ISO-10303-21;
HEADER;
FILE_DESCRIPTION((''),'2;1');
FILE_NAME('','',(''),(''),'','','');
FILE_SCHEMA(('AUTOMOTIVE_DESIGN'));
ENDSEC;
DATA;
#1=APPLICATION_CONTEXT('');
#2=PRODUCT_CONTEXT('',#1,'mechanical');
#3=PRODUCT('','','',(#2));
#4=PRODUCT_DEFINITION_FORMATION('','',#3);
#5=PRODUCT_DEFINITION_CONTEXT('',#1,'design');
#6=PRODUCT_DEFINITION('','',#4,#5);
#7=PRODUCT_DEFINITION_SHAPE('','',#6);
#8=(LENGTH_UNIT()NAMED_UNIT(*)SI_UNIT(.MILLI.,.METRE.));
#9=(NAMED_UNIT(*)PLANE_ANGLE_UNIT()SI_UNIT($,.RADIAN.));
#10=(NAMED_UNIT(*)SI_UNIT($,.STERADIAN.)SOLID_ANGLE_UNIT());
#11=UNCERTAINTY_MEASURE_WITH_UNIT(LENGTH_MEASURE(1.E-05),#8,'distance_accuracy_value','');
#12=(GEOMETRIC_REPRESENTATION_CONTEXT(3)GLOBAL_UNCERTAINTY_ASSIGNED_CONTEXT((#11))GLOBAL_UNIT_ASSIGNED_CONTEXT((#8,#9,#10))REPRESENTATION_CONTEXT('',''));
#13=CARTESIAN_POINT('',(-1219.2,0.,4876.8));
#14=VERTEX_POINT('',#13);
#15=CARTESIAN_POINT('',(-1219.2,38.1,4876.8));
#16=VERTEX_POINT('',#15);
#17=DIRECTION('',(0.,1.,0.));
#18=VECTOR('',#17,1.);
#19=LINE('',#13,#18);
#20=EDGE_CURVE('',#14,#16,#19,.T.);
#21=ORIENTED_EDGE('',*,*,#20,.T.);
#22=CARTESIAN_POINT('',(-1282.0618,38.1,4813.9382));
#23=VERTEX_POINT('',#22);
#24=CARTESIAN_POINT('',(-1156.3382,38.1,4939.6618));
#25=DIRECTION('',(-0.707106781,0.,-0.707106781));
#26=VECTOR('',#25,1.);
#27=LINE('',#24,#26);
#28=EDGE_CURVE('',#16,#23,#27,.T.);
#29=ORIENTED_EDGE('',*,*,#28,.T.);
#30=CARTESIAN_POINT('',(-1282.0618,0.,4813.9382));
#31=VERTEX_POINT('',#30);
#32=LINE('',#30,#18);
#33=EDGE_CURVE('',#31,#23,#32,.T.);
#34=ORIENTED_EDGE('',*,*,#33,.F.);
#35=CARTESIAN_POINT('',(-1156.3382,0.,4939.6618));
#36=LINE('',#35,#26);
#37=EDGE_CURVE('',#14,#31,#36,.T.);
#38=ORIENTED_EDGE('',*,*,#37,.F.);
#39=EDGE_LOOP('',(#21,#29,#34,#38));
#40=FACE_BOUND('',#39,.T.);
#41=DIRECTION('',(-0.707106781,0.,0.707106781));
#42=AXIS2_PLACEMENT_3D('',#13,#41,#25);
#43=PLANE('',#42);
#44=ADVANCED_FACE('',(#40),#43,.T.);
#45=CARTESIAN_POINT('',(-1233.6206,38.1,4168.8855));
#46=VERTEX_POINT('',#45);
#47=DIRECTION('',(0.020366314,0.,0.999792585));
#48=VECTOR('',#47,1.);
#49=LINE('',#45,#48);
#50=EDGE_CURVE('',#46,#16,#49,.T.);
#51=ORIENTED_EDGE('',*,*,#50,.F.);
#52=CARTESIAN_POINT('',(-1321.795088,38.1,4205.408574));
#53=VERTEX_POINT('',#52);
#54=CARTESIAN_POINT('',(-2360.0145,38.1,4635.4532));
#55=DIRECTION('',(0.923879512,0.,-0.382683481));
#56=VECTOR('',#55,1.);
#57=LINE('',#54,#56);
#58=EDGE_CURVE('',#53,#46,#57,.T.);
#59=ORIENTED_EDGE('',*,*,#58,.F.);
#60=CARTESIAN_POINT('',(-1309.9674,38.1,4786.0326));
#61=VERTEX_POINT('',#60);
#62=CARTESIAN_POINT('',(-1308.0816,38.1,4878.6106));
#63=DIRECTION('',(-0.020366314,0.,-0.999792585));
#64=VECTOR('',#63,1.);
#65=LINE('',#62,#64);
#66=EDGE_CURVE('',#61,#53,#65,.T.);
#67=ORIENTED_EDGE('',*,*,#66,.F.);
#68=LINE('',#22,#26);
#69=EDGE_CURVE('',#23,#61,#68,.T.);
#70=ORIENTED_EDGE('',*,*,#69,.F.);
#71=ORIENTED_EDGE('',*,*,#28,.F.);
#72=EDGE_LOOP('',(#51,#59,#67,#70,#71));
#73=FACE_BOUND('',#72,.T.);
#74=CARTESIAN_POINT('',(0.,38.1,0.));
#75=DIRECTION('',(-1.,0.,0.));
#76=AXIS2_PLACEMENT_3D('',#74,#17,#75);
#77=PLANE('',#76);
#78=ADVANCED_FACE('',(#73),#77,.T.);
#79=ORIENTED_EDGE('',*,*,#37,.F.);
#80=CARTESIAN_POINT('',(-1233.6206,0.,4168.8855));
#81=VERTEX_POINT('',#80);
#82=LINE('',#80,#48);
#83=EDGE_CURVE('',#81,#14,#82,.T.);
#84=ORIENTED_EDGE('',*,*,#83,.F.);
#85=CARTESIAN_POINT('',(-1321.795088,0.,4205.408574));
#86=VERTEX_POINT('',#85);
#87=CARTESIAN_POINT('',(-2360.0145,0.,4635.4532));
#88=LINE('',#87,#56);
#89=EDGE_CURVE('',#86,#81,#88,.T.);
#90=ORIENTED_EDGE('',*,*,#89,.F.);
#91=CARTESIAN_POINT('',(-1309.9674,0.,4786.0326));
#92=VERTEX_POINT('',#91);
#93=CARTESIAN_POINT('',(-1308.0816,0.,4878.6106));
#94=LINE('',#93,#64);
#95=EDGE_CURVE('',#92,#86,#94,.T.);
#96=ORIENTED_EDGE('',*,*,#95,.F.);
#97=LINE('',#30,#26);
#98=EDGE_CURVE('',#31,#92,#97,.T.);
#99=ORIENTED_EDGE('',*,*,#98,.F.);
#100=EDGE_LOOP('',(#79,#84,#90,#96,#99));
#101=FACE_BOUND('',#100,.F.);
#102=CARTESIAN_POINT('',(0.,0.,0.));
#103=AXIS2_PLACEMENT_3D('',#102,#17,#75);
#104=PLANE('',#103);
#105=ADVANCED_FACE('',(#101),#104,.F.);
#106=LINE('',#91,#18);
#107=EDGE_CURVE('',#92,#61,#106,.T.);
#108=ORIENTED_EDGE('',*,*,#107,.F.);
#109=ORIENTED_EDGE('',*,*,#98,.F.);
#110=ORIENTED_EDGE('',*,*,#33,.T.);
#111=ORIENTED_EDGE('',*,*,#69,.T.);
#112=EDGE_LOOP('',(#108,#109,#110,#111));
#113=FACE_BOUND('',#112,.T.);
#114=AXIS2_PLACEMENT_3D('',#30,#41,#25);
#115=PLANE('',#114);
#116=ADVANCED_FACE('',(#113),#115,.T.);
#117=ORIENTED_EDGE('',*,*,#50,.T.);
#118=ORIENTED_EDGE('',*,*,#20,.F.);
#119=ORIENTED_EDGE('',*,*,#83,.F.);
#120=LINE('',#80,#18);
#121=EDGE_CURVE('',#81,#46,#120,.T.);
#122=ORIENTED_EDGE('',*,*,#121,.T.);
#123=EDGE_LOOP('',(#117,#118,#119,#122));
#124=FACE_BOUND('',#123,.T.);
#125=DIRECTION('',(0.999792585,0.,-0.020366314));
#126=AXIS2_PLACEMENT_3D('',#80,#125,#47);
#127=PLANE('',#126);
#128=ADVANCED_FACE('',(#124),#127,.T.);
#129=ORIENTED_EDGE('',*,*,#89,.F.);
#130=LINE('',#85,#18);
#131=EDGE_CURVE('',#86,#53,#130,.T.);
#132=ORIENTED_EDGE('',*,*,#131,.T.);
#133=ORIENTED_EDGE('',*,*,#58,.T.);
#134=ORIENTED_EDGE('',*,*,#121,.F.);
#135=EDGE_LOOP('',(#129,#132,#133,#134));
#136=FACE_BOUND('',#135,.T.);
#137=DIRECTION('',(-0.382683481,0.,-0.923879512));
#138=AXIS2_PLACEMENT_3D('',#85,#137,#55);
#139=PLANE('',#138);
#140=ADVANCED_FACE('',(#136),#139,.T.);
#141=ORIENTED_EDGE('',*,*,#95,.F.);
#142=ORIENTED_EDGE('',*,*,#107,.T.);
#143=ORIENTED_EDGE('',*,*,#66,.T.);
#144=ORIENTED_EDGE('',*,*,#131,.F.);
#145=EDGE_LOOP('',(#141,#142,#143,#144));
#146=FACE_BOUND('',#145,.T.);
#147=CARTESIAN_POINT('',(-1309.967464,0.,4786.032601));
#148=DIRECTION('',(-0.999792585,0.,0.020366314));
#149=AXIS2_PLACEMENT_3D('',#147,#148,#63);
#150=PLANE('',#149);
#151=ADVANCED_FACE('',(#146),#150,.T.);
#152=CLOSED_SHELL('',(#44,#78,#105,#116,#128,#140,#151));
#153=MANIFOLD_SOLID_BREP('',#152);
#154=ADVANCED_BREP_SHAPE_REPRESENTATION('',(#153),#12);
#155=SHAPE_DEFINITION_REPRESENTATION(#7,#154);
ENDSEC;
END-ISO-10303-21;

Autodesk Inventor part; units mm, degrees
ref_plane "YZ Plane" through (0, 0, 0) normal (1, 0, 0) x (0, 1, 0)
ref_plane "XZ Plane" through (0, 0, 0) normal (0, 1, 0) x (-1, 0, 0)
ref_plane "XY Plane" through (0, 0, 0) normal (0, 0, 1) x (1, 0, 0)
sketch "Sketch1" plane through (0, 0, 0) normal (0, 1, 0) x (-1, 0, 0)
  line L0 (0, 0) -> (0, -1219.2)
  line L1 (0, 0) -> (88.9, 0)
  line L2 (88.9, 0) -> (88.9, -1219.2)
  line L3 (88.9, -1219.2) -> (0, -1219.2)
  line L4 (0, 0) -> (0, 1219.2) construction
  line L5 (0, 1219.2) -> (1219.2, 1219.2) construction
  line L6 (0, 1219.2) -> (0, 3657.6) construction
  line L7 (0, 3657.6) -> (0, 4876.8) construction
  line L8 (0, 4876.8) -> (0, 6096) construction
  line L9 (0, -1219.2) -> (2438.4, -1219.2) construction
  line L10 (0, 6096) -> (2438.4, 6096) construction
  line L11 (2438.4, 6096) -> (2438.4, -1219.2) construction
  line L12 (0, 3657.6) -> (0, 3352.8) construction
  line L13 (0, 3352.8) -> (2438.4, 3352.8) construction
  line L14 (2438.4, 3352.8) -> (1219.2, 3352.8)
  line L15 (1219.2, 3352.8) -> (1219.2, 3263.9)
  line L16 (1219.2, 3263.9) -> (2438.4, 3263.9)
  line L17 (2438.4, 3263.9) -> (2438.4, 3352.8)
  line L18 (0, 6096) -> (862.1046, 6958.1046)
  line L19 (862.1046, 6958.1046) -> (924.9664, 6895.2428)
  line L20 (924.9664, 6895.2428) -> (62.8618, 6033.1382)
  line L21 (62.8618, 6033.1382) -> (0, 6096)
  line L22 (0, 4876.8) -> (1219.2, 4876.8) construction
  line L23 (1219.2, 4876.8) -> (2081.3046, 5738.9046)
  line L24 (1219.2, 1219.2) -> (2081.3046, 357.0954)
  line L25 (2081.3046, 357.0954) -> (2018.4428, 294.2336)
  line L26 (2018.4428, 294.2336) -> (1156.3382, 1156.3382)
  line L27 (1156.3382, 1156.3382) -> (1219.2, 1219.2)
  line L28 (2018.4428, 294.2336) -> (88.9, -1219.2)
  line L29 (2081.3046, 357.0954) -> (2144.1664, 419.9572)
  line L30 (2144.1664, 419.9572) -> (1282.0618, 1282.0618)
  line L31 (1282.0618, 1282.0618) -> (1219.2, 1219.2)
  line L32 (2438.4, 3352.8) -> (2438.4, 3441.7)
  line L33 (2438.4, 3441.7) -> (1219.2, 3441.7)
  line L34 (1219.2, 3441.7) -> (1219.2, 3352.8)
  line L35 (1156.3382, 4939.6618) -> (1282.0618, 4813.9382)
  line L36 (2018.4428, 5801.7664) -> (2144.1664, 5676.0428)
  line L37 (1282.0618, 4813.9382) -> (2144.1664, 5676.0428)
  line L38 (2018.4428, 5801.7664) -> (1156.3382, 4939.6618)
  line L39 (2018.4428, 5801.7664) -> (924.9664, 6895.2428)
  line L40 (62.8618, 6033.1382) -> (1156.3382, 4939.6618)
  line L41 (1233.6206, 4168.8855) -> (1267.6412, 4086.7527)
  line L42 (1263.7078, 2313.9849) -> (1230.0006, 2231.7229)
  arc A0 (862.1046, 6958.1046) -> (0, 6096) centre (431.0523, 6527.0523) ccw
  line L43 (1246.8542, 2272.8539) -> (2375.0183, 1810.583)
  line L44 (2391.8719, 1851.7139) -> (2358.1646, 1769.452)
  line L45 (2391.8719, 1851.7139) -> (1263.7078, 2313.9849)
  line L46 (1230.0006, 2231.7229) -> (2358.1646, 1769.452)
  line L47 (1230.0006, 2231.7229) -> (1219.2, 3263.9)
  line L48 (2144.1664, 419.9572) -> (2391.8719, 1851.7139)
  line L49 (2391.8719, 1851.7139) -> (2438.4, 3263.9)
  line L50 (1219.2, 3441.7) -> (1233.6206, 4168.8855)
  line L51 (1250.6309, 4127.8191) -> (2377.0248, 4594.3867)
  line L52 (2360.0145, 4635.4532) -> (2394.0351, 4553.3203)
  line L53 (2394.0351, 4553.3203) -> (1267.6412, 4086.7527)
  line L54 (2360.0145, 4635.4532) -> (1233.6206, 4168.8855)
  line L55 (2394.0351, 4553.3203) -> (2144.1664, 5676.0428)
  line L56 (2438.4, 3441.7) -> (2394.0351, 4553.3203)
  line L57 (2144.1664, 5676.0428) -> (2057.3895, 5656.7301)
  line L58 (2394.0351, 4553.3203) -> (2305.2058, 4549.7751)
  line L59 (2394.0351, 4553.3203) -> (2307.2582, 4534.0076)
  line L60 (2307.2582, 4534.0076) -> (2057.3895, 5656.7301)
  line L61 (2438.4, 3441.7) -> (2349.5707, 3438.1548)
  line L62 (2349.5707, 3438.1548) -> (2305.2058, 4549.7751)
  line L63 (1219.2, 3441.7) -> (1308.0825, 3439.9374)
  line L64 (1233.6206, 4168.8855) -> (1322.5031, 4167.1229)
  line L65 (1322.5031, 4167.1229) -> (1308.0825, 3439.9374)
  line L66 (2018.4428, 5801.7664) -> (1955.581, 5738.9046)
  line L67 (1955.581, 5738.9046) -> (862.1046, 6832.381)
  line L68 (924.9664, 6895.2428) -> (862.1046, 6832.381)
  line L69 (62.8618, 6033.1382) -> (125.7236, 6096)
  line L70 (62.8618, 6033.1382) -> (125.7236, 6096)
  line L71 (125.7236, 6096) -> (1219.2, 5002.5236)
  line L72 (1156.3382, 1156.3382) -> (0, 0)
  line L73 (0, 0) -> (62.8618, -62.8618)
  line L74 (1156.3382, 1156.3382) -> (1219.2, 1093.4764)
  line L75 (1219.2, 1093.4764) -> (62.8618, -62.8618)
  line L76 (2018.4428, 294.2336) -> (1963.5776, 364.1837)
  line L77 (88.9, -1219.2) -> (34.0348, -1149.2499)
  line L78 (34.0348, -1149.2499) -> (1963.5776, 364.1837)
  line L79 (2144.1664, 419.9572) -> (2056.5677, 435.1125)
  line L80 (2391.8719, 1851.7139) -> (2304.2732, 1866.8692)
  line L81 (2391.8719, 1851.7139) -> (2303.0201, 1854.6414)
  line L82 (2304.2732, 1866.8692) -> (2056.5677, 435.1125)
  line L83 (1230.0006, 2231.7229) -> (1318.8957, 2232.6531)
  line L84 (1219.2, 3263.9) -> (1308.0951, 3264.8302)
  line L85 (1308.0951, 3264.8302) -> (1318.8957, 2232.6531)
  line L86 (2438.4, 3263.9) -> (2349.5482, 3266.8275)
  line L87 (2349.5482, 3266.8275) -> (2303.0201, 1854.6414)
  line L88 (88.9, 0) -> (125.7236, 0)
  line L89 (1233.6206, 4168.8855) -> (1219.2, 4876.8)
  line L90 (1233.6206, 4168.8855) -> (1322.5022, 4170.6961)
  line L91 (1219.2, 4876.8) -> (1308.0816, 4878.6106)
  line L92 (1308.0816, 4878.6106) -> (1322.5022, 4170.6961)
  line L93 (1282.0618, 4813.9382) -> (1309.9674, 4786.0326)
  line L94 (1267.6412, 4086.7527) -> (1318.4756, 3964.0275)
  line L95 (2360.0145, 4635.4532) -> (2374.4273, 4641.4231)
  line L96 (1230.0006, 2231.7229) -> (1219.2, 1219.2)
  line L97 (1230.0006, 2231.7229) -> (1318.8955, 2230.7747)
  line L98 (1219.2, 1219.2) -> (1308.0949, 1218.2518)
  line L99 (1308.0949, 1218.2518) -> (1318.8955, 2230.7747)
  line L100 (1282.0618, 1282.0618) -> (1309.0636, 1309.0636)
  line L101 (1263.7078, 2313.9849) -> (1316.7428, 2438.4)
  line L102 (2358.1646, 1769.452) -> (2376.5379, 1763.082)
  point P0 (1770.957, 2057.4547)
  point P1 (1955.1236, 357.5528)
  point P2 (88.9, -1106.2164)
  point P3 (2292.1025, 1796.5213)
  point P4 (2067.2525, 496.8711)
  point P5 (1318.5187, 2195.4522)
  point P6 (1308.1049, 3263.9)
  point P7 (2349.4518, 3263.9)
  point P8 (2304.1085, 1887.6754)
  point P9 (2306.5112, 4517.0667)
  point P10 (2349.4292, 3441.7)
  point P11 (1308.1175, 3441.7)
  point P12 (2069.6708, 5601.5472)
  point P13 (2291.0394, 4606.8827)
  point P14 (1321.7951, 4205.4086)
  dimension "d0" = 1219.2
  dimension "d2" = 1219.2
  dimension "d3" = 1219.2
  dimension "d16" = 2438.4
  dimension "d17" = 1219.2
  dimension "d18" = 1219.2
  dimension "d20" = 2438.4
  dimension "d21" = 304.8
  dimension "d22" = 1219.2
  dimension "d23" = 88.9
  dimension "d24" = 1219.2
  dimension "d25" = 45
  dimension "d26" = 88.9
  dimension "d27" = 1219.2
  dimension "d28" = 1219.2
  dimension "d29" = 1219.2
  dimension "d31" = 1219.2
  dimension "d32" = 88.9
  dimension "d33" = 88.9
  dimension "d34" = 88.9
  dimension "d35" = 177.8
  dimension "d36" = 177.8
  dimension "d38" = 88.9
  dimension "d39" = 88.9
  dimension "d43" = 1219.2
  dimension "d44" = 88.9
  dimension "d45" = 1219.2
  dimension "d46" = 88.9
  dimension "d47" = 88.9
  dimension "d48" = 88.9
  dimension "d49" = 88.9
  dimension "d50" = 88.9
  dimension "d51" = 88.9
  dimension "d54" = 88.9
  dimension "d55" = 88.9
  dimension "d57" = 88.9
  dimension "d58" = 88.9
  dimension "d59" = 88.9
  dimension "d60" = 88.9
  dimension "d61" = 88.9
  dimension "d64" = 88.9
  dimension "d65" = 88.9
  dimension "d66" = 88.9
  dimension "d69" = 88.9
  dimension "d70" = 88.9
  dimension "d71" = 88.9
  dimension "d72" = 88.9
extrude "Extrusion1" add sketch "Sketch1" along normal blind 38.1 contours L89 L35 L93 L92 L54
properties part number "S_2x4x27.876"
